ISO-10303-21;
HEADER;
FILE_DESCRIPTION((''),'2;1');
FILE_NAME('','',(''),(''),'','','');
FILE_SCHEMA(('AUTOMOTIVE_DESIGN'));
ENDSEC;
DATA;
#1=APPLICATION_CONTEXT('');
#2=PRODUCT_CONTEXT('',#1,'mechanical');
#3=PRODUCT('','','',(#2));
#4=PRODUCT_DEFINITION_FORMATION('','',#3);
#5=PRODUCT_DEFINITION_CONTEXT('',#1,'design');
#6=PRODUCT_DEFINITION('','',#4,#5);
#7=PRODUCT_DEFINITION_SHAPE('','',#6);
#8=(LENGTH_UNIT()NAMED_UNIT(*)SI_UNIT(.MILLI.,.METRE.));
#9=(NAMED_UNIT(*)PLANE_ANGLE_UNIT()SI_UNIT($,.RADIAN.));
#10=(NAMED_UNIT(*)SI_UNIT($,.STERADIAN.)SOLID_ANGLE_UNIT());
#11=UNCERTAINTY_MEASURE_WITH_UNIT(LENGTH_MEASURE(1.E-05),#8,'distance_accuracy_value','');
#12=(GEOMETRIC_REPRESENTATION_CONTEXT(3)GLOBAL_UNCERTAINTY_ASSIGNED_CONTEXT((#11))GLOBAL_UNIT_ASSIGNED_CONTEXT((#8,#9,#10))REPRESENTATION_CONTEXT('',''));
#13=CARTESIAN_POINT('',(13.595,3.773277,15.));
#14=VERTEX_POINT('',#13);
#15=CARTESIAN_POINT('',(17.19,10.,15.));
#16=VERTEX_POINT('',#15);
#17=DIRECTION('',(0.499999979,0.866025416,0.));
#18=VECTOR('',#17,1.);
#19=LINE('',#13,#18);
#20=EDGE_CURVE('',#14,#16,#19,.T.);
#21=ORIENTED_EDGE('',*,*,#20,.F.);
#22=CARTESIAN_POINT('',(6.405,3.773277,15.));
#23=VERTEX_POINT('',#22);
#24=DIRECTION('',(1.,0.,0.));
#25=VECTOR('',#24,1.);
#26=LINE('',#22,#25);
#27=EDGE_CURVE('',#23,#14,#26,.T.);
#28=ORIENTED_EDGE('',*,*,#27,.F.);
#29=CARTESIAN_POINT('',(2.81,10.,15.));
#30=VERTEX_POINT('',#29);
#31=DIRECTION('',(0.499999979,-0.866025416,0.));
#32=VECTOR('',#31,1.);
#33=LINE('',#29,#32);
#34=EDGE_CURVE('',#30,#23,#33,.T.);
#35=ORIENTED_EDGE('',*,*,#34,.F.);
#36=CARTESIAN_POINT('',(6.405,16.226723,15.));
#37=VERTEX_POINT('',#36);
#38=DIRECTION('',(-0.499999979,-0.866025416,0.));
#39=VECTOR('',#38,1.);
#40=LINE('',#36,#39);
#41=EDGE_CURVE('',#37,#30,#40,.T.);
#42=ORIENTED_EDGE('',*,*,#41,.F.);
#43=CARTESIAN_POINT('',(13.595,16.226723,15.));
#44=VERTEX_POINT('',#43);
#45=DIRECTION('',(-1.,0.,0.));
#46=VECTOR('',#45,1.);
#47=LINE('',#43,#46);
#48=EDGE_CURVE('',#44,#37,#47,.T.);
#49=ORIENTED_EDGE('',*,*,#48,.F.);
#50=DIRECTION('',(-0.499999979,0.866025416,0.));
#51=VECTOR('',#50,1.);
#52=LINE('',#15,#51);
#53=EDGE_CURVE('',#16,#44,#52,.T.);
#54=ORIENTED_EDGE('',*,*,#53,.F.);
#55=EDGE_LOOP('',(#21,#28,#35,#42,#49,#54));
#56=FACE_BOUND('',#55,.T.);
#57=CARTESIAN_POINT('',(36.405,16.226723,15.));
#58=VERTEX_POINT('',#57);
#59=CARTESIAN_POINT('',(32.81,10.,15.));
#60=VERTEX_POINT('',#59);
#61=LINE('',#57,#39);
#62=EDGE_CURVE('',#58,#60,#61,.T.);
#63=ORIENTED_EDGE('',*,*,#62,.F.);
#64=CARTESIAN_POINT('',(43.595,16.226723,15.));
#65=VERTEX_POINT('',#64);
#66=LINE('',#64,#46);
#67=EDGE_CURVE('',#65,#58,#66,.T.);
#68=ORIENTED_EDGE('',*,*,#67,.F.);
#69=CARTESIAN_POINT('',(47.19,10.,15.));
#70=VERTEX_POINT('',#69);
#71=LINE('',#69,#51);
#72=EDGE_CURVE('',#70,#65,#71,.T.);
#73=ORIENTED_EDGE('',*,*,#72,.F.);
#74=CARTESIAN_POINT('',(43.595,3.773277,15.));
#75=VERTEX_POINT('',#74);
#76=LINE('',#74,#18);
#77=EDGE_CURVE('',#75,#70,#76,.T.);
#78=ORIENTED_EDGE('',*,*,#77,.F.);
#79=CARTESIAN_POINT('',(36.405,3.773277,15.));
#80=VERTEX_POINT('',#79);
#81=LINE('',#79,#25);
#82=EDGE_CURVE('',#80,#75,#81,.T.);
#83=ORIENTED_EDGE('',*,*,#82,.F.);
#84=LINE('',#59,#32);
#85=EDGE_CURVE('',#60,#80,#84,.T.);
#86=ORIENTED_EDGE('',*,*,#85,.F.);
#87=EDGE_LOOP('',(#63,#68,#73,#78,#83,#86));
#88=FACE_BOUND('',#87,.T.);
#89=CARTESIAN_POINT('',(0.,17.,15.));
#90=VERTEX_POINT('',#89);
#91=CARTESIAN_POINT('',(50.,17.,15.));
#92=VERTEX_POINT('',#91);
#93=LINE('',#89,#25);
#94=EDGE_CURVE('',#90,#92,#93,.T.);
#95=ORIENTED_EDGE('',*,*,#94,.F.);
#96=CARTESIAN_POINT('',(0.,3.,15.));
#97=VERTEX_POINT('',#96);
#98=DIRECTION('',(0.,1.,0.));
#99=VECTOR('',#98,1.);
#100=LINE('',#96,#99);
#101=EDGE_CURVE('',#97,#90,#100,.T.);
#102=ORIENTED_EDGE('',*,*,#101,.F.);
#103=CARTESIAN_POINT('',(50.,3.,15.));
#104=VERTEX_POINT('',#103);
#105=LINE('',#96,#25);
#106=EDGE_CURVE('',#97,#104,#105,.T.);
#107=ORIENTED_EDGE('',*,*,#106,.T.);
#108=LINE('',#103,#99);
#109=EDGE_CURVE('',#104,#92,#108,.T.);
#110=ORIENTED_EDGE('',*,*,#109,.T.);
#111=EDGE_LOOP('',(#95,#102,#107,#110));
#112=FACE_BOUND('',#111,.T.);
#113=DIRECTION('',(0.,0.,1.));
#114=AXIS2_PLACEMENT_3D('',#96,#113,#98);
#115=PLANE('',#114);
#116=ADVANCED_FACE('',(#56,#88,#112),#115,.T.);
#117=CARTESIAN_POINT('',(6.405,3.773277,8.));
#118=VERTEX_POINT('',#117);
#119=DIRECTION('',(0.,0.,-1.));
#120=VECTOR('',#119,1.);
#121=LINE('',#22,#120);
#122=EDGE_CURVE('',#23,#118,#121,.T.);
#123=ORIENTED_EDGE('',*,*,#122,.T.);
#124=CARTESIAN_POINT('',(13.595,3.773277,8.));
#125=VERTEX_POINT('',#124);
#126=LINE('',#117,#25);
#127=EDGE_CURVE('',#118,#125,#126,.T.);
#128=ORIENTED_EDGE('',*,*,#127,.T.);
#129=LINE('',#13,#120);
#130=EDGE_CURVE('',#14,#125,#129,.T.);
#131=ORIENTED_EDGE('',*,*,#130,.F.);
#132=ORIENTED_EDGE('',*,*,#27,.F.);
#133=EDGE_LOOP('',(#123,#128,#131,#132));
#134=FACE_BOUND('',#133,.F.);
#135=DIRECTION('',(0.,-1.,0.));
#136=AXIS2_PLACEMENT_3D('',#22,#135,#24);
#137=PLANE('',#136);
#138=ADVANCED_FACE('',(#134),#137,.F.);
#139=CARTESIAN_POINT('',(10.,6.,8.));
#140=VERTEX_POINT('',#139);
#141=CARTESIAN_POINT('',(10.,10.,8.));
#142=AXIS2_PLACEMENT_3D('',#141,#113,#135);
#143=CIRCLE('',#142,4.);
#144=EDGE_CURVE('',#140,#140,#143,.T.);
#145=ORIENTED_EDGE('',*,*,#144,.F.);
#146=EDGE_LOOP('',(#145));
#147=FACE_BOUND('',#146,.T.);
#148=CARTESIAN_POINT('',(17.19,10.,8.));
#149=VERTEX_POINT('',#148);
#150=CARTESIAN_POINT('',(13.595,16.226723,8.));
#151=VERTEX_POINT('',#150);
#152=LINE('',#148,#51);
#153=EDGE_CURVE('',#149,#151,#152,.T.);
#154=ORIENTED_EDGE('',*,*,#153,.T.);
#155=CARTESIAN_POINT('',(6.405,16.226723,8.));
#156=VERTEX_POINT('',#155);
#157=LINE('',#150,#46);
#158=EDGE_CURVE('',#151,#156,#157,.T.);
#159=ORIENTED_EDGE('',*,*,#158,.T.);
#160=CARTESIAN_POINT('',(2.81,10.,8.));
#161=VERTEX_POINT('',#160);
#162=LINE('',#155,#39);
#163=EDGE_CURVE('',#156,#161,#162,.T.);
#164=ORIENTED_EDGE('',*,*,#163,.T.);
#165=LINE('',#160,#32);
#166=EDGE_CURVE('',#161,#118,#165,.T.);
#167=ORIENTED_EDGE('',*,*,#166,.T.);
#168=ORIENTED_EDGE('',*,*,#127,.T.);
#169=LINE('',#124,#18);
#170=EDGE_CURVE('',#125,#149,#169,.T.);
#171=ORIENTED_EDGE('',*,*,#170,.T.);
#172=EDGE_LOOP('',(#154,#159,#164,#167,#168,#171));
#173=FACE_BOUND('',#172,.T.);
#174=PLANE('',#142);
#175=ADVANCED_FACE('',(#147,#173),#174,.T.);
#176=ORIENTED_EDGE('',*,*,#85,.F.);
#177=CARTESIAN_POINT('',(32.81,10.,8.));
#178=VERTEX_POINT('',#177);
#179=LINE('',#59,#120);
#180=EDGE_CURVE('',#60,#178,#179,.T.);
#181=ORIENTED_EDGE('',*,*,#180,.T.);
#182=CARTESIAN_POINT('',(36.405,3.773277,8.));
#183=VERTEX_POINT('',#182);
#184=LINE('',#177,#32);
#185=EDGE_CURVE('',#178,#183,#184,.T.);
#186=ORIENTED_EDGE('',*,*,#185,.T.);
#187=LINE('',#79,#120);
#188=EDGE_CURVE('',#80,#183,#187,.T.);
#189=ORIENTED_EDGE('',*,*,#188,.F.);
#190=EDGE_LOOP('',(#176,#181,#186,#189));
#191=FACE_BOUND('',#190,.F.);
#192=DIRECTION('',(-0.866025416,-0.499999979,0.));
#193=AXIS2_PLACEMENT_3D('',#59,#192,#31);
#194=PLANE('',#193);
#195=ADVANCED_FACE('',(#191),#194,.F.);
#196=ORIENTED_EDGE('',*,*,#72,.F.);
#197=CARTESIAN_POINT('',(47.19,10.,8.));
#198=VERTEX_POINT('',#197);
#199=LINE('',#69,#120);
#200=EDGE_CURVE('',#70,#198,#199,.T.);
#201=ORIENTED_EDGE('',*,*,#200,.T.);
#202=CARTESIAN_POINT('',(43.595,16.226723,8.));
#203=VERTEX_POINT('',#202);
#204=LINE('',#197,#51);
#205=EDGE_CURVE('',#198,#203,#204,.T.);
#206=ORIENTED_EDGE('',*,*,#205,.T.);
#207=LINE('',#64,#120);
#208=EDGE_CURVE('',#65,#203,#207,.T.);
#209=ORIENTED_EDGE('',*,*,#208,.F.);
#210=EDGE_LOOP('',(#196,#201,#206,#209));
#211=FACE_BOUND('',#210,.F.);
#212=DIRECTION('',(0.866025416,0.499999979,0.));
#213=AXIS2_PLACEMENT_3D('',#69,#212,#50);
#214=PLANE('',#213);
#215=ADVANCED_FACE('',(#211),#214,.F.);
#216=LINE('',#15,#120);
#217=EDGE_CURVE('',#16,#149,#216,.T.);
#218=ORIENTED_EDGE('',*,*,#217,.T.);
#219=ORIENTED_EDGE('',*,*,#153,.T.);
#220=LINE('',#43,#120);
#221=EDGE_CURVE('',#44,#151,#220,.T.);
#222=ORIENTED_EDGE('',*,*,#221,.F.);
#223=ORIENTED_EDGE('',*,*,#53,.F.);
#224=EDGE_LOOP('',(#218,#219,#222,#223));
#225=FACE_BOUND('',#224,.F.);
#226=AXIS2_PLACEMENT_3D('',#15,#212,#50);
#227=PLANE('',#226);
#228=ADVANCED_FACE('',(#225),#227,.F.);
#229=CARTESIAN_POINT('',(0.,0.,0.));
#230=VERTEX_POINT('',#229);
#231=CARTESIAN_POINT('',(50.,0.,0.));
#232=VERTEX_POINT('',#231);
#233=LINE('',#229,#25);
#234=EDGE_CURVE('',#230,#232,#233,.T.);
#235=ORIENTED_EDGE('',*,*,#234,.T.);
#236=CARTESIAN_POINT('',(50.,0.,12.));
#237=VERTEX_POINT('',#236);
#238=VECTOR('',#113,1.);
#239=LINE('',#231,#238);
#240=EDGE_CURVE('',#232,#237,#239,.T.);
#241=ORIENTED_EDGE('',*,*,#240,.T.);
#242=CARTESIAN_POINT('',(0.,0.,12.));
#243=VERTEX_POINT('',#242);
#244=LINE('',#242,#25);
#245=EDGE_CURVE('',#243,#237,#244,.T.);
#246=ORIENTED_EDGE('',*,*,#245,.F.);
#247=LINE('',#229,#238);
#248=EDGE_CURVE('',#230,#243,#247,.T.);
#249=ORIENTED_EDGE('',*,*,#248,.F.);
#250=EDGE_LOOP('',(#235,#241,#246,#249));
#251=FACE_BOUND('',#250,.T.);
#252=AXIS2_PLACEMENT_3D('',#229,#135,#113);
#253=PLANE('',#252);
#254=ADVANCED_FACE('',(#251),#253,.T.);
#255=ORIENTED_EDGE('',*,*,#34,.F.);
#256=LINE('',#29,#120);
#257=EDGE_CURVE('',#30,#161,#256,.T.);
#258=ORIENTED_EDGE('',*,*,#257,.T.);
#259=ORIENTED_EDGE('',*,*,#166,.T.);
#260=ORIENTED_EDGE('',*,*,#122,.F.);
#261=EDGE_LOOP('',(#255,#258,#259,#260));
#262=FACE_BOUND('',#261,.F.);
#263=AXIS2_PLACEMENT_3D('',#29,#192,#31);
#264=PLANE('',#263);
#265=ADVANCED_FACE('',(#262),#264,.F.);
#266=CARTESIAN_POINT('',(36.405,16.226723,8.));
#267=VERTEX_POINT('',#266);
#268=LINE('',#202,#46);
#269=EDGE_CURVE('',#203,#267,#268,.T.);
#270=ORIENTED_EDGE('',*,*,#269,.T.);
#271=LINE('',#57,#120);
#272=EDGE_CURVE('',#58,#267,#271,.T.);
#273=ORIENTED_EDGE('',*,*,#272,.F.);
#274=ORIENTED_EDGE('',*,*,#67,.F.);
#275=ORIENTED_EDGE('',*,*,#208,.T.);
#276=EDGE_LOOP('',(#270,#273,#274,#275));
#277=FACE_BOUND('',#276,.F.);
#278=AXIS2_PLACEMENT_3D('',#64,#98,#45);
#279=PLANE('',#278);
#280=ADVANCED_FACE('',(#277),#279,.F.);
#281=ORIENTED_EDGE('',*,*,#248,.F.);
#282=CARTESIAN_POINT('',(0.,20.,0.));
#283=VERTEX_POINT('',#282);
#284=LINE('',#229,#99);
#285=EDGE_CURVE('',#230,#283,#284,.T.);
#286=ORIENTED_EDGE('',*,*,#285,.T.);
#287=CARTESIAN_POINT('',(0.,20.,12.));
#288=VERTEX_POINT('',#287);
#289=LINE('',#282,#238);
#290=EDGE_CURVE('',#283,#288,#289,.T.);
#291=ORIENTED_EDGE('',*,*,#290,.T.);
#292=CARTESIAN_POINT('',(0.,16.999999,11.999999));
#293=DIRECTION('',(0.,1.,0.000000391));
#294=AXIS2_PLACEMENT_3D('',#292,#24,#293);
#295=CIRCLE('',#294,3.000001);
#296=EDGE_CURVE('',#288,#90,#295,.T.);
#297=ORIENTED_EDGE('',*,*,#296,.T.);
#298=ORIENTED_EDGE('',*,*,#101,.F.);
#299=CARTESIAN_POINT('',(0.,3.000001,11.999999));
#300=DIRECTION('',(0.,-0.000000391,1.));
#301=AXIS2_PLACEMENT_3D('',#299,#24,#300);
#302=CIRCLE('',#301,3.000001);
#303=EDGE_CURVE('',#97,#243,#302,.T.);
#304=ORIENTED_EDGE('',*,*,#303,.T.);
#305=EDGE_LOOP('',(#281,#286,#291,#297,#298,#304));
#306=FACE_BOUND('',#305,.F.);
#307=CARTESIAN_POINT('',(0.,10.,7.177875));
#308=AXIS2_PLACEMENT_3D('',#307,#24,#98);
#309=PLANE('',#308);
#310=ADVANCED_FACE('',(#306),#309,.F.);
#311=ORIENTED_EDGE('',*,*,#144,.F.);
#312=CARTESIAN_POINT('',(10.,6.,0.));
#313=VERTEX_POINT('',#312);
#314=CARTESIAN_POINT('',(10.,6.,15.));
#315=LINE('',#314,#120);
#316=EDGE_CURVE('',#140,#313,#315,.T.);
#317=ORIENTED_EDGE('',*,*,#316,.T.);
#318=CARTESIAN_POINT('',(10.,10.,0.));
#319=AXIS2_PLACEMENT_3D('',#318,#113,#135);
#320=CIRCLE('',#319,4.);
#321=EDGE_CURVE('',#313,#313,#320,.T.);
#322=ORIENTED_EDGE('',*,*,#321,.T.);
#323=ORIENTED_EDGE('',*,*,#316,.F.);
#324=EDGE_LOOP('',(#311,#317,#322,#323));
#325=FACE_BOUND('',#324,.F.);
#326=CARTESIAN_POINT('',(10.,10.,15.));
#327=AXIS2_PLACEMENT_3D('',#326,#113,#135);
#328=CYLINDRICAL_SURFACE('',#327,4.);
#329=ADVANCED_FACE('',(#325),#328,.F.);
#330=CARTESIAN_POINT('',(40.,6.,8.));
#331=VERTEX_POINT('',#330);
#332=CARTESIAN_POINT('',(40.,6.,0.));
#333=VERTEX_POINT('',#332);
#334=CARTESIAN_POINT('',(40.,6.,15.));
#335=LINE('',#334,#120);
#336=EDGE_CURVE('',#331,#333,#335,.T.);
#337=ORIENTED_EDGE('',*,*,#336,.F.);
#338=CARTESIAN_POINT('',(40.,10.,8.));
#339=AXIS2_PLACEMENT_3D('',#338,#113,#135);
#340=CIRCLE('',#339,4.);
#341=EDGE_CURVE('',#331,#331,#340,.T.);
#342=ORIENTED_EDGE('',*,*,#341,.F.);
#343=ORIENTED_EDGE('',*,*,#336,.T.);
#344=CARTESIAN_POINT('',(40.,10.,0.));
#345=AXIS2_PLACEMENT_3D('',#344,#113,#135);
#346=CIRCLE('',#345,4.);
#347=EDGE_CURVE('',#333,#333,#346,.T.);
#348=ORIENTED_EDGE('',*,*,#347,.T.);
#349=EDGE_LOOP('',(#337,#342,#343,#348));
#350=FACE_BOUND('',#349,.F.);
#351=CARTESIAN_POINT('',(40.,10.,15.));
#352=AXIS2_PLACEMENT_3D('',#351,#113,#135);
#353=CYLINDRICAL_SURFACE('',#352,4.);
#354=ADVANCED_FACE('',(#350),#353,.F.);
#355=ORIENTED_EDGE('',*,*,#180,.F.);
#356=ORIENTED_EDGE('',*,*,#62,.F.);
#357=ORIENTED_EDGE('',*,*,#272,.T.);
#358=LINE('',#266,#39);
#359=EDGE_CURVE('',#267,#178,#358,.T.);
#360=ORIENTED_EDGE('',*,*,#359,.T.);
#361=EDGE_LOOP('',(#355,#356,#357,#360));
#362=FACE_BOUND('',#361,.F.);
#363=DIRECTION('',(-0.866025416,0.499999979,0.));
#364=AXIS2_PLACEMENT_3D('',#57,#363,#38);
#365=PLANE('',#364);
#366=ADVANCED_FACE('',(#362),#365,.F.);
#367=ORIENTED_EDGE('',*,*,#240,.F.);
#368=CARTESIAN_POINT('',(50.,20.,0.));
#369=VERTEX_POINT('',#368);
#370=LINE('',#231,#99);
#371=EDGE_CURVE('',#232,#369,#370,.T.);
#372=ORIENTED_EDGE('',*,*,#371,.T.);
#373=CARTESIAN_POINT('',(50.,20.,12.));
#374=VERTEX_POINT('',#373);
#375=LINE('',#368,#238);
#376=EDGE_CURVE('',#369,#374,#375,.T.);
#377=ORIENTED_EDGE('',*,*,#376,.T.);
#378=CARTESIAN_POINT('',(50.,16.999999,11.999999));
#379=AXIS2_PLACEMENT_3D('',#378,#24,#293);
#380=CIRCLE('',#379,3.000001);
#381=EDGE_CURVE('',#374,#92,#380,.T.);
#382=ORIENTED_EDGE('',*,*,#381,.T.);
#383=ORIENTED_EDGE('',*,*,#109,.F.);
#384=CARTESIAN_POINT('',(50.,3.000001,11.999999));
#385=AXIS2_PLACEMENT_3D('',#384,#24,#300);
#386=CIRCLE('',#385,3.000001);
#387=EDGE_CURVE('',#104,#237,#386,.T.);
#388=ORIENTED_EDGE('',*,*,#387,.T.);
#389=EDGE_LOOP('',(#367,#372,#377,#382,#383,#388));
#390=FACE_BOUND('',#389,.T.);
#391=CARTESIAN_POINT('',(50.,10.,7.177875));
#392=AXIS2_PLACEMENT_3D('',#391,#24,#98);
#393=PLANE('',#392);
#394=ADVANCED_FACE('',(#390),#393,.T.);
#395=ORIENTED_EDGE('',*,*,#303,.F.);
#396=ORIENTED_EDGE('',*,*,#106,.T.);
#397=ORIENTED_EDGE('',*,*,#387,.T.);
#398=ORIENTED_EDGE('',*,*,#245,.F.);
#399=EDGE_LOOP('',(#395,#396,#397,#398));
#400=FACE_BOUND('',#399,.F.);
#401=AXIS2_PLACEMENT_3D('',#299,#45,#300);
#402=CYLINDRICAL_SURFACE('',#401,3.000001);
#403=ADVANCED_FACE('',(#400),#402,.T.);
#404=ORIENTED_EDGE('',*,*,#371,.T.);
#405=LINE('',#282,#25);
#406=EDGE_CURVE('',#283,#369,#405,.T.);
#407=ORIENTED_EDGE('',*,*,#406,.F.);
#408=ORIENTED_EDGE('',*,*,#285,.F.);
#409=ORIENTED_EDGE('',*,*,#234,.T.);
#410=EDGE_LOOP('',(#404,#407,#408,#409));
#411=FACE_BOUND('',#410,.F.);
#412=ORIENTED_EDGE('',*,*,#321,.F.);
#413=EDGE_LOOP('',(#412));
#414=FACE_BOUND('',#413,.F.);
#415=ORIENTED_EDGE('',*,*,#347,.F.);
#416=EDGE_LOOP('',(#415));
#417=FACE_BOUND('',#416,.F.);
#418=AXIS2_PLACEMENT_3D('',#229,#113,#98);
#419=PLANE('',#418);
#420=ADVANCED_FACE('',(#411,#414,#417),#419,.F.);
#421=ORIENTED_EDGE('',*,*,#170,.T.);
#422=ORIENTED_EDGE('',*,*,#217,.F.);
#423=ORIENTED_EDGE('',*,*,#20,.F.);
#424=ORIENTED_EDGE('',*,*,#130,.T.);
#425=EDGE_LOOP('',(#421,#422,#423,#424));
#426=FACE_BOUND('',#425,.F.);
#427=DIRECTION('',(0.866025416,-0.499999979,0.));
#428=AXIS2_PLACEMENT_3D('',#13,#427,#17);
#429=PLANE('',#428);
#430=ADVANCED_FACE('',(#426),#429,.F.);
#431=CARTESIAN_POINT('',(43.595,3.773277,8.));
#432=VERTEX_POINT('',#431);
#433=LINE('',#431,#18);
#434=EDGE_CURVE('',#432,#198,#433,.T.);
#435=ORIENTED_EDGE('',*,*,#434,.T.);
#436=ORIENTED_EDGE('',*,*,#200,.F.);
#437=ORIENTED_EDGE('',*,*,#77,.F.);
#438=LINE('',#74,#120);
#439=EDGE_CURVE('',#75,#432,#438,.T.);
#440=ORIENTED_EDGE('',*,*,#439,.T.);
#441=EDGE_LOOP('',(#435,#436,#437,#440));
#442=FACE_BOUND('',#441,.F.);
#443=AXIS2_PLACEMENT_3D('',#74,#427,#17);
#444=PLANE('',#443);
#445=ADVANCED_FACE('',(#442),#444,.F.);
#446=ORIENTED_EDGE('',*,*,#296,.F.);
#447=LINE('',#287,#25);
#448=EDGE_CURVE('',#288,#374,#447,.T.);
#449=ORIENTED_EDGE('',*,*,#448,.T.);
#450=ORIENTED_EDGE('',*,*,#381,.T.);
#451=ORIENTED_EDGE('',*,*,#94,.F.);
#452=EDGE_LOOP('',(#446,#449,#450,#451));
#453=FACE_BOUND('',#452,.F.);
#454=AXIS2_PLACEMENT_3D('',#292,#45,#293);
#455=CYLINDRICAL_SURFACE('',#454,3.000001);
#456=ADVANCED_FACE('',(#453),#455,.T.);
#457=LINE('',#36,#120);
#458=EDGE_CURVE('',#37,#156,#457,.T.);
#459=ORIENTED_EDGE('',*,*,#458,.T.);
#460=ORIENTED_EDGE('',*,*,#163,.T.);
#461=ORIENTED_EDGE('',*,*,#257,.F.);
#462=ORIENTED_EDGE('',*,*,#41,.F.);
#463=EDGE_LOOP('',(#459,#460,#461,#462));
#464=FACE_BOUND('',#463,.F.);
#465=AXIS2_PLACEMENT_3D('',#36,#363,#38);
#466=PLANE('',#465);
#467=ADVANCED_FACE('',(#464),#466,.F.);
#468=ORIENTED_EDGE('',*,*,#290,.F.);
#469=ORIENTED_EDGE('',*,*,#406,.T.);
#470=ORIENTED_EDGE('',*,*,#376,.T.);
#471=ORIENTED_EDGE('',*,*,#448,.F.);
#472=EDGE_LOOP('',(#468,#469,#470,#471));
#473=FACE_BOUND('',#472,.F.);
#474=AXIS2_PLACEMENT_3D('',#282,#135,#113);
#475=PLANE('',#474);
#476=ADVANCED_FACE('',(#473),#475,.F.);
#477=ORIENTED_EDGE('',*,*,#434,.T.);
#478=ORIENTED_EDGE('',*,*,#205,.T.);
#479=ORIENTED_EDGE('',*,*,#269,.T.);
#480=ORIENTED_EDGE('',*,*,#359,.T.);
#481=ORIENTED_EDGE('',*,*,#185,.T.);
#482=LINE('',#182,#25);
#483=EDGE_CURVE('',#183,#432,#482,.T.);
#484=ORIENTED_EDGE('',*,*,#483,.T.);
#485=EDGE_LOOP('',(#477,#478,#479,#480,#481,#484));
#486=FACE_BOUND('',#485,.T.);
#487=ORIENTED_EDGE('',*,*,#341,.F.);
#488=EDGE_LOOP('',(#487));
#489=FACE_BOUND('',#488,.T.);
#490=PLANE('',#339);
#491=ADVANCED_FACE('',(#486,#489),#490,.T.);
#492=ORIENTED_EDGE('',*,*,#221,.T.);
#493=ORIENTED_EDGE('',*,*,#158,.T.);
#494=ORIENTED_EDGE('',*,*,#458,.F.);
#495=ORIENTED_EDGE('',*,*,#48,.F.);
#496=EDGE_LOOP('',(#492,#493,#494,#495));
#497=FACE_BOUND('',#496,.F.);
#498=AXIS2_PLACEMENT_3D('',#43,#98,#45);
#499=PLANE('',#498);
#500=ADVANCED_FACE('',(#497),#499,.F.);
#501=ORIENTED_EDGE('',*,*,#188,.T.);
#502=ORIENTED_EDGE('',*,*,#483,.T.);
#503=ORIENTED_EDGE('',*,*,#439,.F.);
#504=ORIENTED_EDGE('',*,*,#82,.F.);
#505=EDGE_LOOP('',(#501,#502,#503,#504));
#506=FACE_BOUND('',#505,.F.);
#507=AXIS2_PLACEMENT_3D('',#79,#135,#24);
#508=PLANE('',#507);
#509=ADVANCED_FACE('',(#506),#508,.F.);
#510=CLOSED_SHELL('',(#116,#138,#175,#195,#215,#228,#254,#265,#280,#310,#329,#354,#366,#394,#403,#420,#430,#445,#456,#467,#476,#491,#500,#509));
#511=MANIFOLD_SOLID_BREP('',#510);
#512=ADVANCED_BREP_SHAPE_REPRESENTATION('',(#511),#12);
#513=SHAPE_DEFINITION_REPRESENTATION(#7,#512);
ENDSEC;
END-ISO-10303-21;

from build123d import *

# Parameters (mm, degrees)
PAD_DEPTH       = 50
SKETCH001_R     = 4
POCKET_DEPTH    = 15.001
POCKET001_DEPTH = 7


with BuildPart() as part:
    # Sketch → Pad (new body)
    with BuildSketch(Plane.YZ):
        with BuildLine():
            Line((0, 0), (20, 0))
            Line((20, 0), (20, 12))
            ThreePointArc((20, 12), (19.12132, 14.12132), (17, 15))
            Line((3, 15), (17, 15))
            ThreePointArc((3, 15), (0.87868, 14.12132), (0, 12))
            Line((0, 0), (0, 12))
        make_face()
    extrude(amount=PAD_DEPTH)

    # Sketch001 → Pocket (cut, through all)
    with BuildSketch(Plane(origin=(0, 0, 15), x_dir=(0, -1, 0), z_dir=(0, 0, 1))):
        with Locations((-10, 40)):
            Circle(SKETCH001_R)
        with Locations((-10, 10)):
            Circle(SKETCH001_R)
    extrude(amount=-POCKET_DEPTH, mode=Mode.SUBTRACT)

    # Sketch002 → Pocket001 (cut)
    with BuildSketch(Plane(origin=(0, 0, 15), x_dir=(0, -1, 0), z_dir=(0, 0, 1))):
        Polygon((-16.226723, 36.405), (-10, 32.81), (-3.773277, 36.405), (-3.773277, 43.595), (-10, 47.19), (-16.226723, 43.595), align=None)
        Polygon((-16.226723, 6.405), (-10, 2.81), (-3.773277, 6.405), (-3.773277, 13.595), (-10, 17.19), (-16.226723, 13.595), align=None)
    extrude(amount=-POCKET001_DEPTH, mode=Mode.SUBTRACT)


solid = part.part
